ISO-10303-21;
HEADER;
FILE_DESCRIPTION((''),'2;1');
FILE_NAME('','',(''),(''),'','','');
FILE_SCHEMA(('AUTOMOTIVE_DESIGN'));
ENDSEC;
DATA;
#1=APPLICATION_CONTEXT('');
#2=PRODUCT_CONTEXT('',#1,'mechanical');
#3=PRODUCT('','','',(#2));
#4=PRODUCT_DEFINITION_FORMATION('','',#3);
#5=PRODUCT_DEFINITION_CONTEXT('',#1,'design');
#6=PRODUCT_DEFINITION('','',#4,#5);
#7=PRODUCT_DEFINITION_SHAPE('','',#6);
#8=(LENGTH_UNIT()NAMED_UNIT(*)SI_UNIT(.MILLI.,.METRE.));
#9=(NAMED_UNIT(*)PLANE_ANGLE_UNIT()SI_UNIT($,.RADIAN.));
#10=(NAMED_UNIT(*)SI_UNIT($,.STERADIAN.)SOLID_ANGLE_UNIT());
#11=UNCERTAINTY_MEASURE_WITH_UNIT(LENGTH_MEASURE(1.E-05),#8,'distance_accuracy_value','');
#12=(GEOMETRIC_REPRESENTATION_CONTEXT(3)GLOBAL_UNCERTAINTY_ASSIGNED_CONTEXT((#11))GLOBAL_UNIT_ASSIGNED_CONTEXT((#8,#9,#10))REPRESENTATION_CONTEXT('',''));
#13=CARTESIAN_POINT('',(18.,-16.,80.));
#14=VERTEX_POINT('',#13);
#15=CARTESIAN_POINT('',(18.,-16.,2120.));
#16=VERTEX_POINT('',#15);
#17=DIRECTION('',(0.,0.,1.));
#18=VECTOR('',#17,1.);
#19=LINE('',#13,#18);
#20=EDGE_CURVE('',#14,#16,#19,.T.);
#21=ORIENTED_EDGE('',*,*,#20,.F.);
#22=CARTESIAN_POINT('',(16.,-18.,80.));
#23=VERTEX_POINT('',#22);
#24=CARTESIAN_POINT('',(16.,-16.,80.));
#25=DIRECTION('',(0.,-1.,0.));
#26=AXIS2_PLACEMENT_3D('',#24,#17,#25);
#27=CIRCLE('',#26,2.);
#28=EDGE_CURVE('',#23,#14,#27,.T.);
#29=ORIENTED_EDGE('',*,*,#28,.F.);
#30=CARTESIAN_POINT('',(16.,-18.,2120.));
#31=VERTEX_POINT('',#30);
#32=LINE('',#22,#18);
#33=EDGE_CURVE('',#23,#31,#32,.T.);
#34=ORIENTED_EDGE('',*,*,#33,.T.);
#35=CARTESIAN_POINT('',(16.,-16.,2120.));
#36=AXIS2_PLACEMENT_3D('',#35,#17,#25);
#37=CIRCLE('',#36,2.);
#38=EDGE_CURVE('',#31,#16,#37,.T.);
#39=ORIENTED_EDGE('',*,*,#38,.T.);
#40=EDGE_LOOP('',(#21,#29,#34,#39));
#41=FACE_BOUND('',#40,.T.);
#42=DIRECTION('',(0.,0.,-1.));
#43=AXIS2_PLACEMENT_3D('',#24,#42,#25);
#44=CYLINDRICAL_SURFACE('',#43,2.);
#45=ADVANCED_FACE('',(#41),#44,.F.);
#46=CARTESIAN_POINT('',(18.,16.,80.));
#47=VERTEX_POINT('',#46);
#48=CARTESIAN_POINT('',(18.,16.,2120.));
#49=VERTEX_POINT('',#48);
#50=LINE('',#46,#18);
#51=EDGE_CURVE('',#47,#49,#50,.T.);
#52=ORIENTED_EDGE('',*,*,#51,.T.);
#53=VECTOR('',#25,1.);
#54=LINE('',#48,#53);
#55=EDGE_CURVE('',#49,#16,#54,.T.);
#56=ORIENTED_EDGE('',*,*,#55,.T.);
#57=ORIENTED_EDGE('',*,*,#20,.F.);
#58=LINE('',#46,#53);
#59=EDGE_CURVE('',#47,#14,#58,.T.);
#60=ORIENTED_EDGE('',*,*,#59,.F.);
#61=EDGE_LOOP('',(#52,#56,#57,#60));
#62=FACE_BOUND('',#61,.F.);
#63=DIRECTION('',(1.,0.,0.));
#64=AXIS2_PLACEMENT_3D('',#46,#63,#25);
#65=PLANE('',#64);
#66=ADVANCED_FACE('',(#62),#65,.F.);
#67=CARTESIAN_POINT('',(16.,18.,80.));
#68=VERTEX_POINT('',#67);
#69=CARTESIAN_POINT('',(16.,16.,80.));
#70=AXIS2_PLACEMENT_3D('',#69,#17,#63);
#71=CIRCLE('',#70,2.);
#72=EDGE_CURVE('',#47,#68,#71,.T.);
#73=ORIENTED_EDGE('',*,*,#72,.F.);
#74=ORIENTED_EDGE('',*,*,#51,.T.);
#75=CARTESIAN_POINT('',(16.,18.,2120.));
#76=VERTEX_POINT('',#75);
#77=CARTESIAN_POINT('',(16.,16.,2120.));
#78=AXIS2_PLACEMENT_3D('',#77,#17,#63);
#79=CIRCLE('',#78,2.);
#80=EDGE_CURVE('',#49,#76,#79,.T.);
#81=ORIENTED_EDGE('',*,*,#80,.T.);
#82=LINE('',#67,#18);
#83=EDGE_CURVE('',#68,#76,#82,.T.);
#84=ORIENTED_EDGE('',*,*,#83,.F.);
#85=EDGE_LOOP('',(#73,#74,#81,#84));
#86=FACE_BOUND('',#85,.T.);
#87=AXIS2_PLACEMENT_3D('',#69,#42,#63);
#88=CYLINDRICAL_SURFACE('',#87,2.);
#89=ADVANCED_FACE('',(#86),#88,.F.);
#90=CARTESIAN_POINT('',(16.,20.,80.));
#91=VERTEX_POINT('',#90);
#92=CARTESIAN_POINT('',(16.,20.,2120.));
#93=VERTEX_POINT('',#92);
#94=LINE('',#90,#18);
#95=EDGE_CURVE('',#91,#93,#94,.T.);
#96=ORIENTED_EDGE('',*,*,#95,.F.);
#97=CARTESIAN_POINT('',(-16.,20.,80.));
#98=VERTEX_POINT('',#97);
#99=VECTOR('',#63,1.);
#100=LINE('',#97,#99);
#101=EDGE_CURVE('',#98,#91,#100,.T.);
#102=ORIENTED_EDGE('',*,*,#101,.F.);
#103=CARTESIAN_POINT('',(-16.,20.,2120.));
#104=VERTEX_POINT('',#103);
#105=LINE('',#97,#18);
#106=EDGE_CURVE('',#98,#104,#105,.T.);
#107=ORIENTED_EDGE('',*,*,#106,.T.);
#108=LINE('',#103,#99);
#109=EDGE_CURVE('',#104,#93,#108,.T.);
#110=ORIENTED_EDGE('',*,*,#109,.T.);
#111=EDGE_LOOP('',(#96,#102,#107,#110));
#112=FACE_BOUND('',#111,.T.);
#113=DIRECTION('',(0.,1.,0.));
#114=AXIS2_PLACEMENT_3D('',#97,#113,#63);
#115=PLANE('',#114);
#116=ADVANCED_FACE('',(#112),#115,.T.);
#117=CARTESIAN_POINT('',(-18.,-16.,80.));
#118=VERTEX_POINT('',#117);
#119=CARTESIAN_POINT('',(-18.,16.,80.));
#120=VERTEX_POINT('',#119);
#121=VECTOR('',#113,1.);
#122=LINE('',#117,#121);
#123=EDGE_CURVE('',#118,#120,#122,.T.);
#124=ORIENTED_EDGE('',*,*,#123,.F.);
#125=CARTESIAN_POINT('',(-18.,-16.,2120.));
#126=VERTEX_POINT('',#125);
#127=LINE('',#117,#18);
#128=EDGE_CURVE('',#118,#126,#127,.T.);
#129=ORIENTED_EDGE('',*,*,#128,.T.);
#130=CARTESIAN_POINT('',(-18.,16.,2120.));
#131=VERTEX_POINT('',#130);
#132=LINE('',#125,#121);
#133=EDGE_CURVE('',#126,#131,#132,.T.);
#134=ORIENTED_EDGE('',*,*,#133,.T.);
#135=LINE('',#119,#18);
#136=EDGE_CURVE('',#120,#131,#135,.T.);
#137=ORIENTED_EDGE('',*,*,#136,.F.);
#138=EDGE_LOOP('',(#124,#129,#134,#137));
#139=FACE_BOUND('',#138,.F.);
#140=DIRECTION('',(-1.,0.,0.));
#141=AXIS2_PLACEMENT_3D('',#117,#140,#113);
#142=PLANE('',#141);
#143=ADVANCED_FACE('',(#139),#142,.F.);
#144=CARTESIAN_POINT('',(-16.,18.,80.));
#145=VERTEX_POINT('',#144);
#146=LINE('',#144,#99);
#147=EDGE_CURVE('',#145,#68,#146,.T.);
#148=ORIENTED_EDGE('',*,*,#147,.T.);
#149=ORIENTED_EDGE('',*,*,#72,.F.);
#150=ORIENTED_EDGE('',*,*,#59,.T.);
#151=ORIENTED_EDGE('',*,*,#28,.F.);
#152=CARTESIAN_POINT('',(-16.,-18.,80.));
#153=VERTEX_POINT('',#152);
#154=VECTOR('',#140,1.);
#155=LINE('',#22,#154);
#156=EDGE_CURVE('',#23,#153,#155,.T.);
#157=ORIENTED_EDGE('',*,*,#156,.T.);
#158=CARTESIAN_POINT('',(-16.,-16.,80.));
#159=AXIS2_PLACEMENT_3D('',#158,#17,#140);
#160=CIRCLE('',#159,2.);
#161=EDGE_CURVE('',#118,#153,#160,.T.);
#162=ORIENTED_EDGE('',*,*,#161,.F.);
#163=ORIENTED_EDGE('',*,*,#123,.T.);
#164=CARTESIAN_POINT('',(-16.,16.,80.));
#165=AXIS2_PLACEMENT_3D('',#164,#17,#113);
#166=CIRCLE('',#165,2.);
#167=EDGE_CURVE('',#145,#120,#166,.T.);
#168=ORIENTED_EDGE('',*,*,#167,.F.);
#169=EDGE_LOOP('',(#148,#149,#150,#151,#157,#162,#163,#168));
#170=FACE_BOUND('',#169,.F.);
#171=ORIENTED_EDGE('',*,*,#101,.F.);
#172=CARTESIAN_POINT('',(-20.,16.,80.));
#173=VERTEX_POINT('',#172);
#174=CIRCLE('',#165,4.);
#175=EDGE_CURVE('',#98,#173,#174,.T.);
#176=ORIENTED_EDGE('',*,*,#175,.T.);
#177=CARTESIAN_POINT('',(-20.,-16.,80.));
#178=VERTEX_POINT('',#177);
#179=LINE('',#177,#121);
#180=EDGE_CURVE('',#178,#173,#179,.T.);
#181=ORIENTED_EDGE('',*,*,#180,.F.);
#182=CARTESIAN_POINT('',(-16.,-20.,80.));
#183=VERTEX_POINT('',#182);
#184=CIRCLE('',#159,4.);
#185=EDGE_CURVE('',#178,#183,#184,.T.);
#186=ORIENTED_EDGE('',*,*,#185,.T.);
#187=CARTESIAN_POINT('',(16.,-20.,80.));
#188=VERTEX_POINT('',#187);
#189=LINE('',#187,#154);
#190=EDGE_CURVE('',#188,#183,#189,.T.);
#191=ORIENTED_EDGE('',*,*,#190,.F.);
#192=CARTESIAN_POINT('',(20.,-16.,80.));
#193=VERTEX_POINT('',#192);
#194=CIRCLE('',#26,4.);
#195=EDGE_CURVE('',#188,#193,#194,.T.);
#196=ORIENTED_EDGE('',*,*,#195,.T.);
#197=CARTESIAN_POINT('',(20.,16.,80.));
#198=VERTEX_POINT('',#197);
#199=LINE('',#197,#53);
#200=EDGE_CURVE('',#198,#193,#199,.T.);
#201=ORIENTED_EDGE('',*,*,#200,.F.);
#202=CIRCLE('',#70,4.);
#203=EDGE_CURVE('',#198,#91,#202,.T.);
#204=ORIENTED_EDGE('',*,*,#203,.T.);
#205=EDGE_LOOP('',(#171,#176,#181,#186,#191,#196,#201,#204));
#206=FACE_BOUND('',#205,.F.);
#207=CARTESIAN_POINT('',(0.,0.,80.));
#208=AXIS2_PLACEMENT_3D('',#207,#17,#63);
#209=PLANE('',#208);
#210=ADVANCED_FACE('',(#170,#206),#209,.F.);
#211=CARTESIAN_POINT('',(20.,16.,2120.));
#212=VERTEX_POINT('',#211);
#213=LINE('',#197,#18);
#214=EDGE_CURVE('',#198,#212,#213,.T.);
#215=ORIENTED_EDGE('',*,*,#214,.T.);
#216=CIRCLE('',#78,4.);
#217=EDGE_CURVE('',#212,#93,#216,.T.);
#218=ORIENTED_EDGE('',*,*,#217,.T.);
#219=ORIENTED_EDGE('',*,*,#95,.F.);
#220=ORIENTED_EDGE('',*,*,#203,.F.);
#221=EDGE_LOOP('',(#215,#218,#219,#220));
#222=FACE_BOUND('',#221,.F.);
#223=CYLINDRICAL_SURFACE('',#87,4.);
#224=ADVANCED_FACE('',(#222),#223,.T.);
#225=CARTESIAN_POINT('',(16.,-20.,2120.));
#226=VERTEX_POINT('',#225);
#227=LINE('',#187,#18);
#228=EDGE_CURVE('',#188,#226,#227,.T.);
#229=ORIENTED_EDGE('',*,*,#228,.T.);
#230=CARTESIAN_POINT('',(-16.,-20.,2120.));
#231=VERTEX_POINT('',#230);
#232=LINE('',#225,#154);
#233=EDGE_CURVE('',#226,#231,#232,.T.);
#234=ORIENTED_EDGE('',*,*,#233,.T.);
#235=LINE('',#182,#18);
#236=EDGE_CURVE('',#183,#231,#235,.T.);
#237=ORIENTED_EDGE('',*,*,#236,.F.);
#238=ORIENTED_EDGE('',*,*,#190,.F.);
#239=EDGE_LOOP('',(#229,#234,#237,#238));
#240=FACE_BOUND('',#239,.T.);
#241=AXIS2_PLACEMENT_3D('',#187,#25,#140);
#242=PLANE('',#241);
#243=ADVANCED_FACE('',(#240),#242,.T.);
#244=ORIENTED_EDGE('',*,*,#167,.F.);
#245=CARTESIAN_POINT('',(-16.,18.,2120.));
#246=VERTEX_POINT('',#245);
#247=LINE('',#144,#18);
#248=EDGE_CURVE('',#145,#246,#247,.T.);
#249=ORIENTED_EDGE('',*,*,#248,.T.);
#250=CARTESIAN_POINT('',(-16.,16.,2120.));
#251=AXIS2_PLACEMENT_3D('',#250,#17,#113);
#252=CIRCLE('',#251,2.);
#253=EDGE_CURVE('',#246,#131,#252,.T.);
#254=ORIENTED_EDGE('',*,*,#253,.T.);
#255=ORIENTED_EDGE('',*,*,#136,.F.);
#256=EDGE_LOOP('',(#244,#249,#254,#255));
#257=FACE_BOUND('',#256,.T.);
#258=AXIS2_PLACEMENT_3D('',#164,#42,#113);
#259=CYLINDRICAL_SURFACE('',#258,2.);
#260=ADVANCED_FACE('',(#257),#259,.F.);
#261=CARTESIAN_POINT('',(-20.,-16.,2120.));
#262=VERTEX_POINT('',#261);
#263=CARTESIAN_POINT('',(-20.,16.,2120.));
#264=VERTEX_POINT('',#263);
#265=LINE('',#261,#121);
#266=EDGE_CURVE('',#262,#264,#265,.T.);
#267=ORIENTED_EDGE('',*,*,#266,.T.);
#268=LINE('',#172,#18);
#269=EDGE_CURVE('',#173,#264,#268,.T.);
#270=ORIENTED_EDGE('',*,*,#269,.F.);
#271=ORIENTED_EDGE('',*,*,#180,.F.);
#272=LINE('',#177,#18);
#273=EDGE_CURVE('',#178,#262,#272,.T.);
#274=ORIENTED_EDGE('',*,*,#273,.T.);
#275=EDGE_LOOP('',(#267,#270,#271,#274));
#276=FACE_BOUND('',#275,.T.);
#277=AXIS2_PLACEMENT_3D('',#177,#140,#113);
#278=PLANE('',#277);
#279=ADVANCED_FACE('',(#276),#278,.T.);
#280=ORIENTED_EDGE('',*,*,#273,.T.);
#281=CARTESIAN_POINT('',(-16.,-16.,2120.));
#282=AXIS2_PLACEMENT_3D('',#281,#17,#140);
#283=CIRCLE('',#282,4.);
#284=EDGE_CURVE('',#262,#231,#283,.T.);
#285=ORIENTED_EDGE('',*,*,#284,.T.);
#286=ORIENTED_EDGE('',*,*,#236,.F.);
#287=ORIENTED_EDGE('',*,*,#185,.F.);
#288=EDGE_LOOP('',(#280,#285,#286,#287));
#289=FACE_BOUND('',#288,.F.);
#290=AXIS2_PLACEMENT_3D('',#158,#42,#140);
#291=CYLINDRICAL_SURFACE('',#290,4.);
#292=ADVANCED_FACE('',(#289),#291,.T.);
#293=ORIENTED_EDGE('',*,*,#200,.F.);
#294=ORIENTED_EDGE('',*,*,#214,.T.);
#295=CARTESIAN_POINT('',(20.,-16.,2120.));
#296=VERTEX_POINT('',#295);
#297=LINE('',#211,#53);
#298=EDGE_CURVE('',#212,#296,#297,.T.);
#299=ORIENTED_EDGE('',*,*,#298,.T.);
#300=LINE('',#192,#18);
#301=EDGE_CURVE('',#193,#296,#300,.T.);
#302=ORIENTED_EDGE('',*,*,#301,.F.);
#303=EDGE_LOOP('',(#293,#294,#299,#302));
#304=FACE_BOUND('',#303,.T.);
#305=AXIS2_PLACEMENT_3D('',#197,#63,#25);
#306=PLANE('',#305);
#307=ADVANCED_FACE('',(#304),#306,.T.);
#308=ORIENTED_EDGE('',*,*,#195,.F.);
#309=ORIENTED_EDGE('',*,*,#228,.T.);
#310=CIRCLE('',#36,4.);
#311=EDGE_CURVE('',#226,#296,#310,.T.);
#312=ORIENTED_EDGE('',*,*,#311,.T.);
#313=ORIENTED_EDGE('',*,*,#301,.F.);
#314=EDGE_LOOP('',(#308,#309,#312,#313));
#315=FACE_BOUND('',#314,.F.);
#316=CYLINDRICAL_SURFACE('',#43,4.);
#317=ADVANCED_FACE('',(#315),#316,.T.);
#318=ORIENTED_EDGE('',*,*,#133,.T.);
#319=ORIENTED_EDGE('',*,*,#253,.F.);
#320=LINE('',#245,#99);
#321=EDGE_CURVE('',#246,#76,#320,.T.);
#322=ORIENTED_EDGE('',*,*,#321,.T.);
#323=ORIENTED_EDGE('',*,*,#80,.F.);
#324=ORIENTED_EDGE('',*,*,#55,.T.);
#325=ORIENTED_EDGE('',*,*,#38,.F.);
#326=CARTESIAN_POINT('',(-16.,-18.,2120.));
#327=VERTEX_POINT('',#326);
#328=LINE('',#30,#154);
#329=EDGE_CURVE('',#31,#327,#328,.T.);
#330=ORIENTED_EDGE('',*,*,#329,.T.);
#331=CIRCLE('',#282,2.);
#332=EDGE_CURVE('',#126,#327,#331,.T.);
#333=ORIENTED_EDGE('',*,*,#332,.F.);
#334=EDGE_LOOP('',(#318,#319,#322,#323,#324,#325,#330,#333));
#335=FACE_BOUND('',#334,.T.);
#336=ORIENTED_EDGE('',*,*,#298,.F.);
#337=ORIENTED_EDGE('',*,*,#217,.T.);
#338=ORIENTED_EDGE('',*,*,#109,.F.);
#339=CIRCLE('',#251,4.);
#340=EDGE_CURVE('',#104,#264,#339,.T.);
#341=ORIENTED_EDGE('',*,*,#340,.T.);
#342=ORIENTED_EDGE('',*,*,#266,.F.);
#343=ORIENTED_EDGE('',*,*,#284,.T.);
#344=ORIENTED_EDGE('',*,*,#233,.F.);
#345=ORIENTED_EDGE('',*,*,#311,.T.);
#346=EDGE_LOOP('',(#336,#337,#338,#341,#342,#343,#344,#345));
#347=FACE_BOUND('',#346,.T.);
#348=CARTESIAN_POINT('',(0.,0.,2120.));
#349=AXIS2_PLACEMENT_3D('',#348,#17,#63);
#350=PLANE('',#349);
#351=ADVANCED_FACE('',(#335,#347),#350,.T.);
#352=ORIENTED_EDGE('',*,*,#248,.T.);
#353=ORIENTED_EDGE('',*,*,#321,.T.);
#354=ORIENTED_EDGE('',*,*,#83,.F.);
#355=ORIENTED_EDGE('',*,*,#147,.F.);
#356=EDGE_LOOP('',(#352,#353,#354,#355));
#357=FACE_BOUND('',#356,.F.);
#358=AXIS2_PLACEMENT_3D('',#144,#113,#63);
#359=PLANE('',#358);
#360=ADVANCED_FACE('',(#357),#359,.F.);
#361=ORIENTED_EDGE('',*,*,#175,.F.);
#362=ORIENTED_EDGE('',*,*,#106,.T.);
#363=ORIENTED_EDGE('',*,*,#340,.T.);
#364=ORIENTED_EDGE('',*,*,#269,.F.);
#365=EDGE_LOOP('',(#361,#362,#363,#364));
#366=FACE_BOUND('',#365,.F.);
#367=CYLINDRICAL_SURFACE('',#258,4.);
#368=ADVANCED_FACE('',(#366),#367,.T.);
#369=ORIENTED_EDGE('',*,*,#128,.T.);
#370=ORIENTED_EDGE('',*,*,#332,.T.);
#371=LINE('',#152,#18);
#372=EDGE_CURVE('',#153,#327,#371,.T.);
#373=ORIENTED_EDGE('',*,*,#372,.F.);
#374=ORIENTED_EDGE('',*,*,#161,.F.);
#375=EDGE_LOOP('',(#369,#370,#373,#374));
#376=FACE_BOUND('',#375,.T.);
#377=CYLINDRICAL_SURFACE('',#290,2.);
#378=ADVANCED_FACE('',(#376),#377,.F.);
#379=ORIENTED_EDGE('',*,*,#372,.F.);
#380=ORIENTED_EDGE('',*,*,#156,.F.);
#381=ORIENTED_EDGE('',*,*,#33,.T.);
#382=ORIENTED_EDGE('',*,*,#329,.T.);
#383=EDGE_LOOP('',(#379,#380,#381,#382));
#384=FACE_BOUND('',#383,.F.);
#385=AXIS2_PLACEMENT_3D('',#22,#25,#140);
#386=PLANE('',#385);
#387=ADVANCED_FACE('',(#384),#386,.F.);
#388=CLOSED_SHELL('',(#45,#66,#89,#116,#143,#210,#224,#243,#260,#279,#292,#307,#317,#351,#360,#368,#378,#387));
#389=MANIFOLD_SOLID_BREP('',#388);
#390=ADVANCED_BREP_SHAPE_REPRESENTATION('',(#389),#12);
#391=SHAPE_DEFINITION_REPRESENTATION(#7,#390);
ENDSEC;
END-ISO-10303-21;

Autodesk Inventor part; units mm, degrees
ref_plane "YZ Plane" through (0, 0, 0) normal (1, 0, 0) x (0, 1, 0)
ref_plane "Start Plane" through (0, 0, 80) normal (0, 0, 1) x (1, 0, 0)
ref_plane "End Plane" through (0, 0, 2120) normal (0, 0, 1) x (1, 0, 0)
sketch "Sketch" plane through (0, 0, 0) normal (0, 0, 1) x (1, 0, 0)
  line L0 (-20, -16) -> (-20, 16)
  line L1 (-16, 20) -> (16, 20)
  line L2 (20, 16) -> (20, -16)
  line L3 (16, -20) -> (-16, -20)
  arc A0 (-20, -16) -> (-16, -20) centre (-16, -16) ccw
  arc A1 (20, 16) -> (16, 20) centre (16, 16) ccw
  arc A2 (-16, 20) -> (-20, 16) centre (-16, 16) ccw
  arc A3 (16, -20) -> (20, -16) centre (16, -16) ccw
  arc A4 (-16, 18) -> (-18, 16) centre (-16, 16) ccw
  line L4 (-16, 18) -> (16, 18)
  arc A5 (18, 16) -> (16, 18) centre (16, 16) ccw
  line L5 (18, 16) -> (18, -16)
  arc A6 (16, -18) -> (18, -16) centre (16, -16) ccw
  line L6 (16, -18) -> (-16, -18)
  arc A7 (-18, -16) -> (-16, -18) centre (-16, -16) ccw
  line L7 (-18, -16) -> (-18, 16)
  line L8 (0, 29.1598) -> (0, -29.1598) construction
  line L9 (-29.1598, 0) -> (29.1598, 0) construction
  dimension "d7" = 4
  dimension "d9" = 40
  dimension "d11" = 40
  dimension "d12" = 2
  dimension "d15" = 20
  dimension "d16" = 20
extrude "Body" add sketch "Sketch" along normal up to surface (2040 mm away) from surface at 80
sketch "Sketch3" plane through (0, 0, 0) normal (0, 0, 1) x (1, 0, 0)
  line L0 (0, 0) -> (10, 0)
ref_plane "Work Plane3" through (0, 0, 0) normal (0, -1, 0) x (1, 0, 0)
sketch "Sketch4" plane through (0, 0, 0) normal (0, -1, 0) x (1, 0, 0)
  line L0 (-2, 80) -> (12, 80) projected
  line L1 (-2, 2120) -> (12, 2120) projected
  dimension "d18" = 2040
equation "\"d7\" = G_IR"
equation "\"d9\" = G_W"
equation "\"d11\" = G_H"
equation "\"d12\" = G_T"
equation "\"d15\" = 0.5 * d9"
equation "\"d16\" = 0.5 * d11"
equation "\"d3\" = G_L"
equation "\"G_W\" = 40"
equation "\"G_H\" = 40"
equation "\"G_T\" = 2"
equation "\"G_IR\" = 4"
equation "\"G_L\" = d18"
properties part number "ISO 10799-2 - 40x40x2 - 2040" material "Steel, Mild"
